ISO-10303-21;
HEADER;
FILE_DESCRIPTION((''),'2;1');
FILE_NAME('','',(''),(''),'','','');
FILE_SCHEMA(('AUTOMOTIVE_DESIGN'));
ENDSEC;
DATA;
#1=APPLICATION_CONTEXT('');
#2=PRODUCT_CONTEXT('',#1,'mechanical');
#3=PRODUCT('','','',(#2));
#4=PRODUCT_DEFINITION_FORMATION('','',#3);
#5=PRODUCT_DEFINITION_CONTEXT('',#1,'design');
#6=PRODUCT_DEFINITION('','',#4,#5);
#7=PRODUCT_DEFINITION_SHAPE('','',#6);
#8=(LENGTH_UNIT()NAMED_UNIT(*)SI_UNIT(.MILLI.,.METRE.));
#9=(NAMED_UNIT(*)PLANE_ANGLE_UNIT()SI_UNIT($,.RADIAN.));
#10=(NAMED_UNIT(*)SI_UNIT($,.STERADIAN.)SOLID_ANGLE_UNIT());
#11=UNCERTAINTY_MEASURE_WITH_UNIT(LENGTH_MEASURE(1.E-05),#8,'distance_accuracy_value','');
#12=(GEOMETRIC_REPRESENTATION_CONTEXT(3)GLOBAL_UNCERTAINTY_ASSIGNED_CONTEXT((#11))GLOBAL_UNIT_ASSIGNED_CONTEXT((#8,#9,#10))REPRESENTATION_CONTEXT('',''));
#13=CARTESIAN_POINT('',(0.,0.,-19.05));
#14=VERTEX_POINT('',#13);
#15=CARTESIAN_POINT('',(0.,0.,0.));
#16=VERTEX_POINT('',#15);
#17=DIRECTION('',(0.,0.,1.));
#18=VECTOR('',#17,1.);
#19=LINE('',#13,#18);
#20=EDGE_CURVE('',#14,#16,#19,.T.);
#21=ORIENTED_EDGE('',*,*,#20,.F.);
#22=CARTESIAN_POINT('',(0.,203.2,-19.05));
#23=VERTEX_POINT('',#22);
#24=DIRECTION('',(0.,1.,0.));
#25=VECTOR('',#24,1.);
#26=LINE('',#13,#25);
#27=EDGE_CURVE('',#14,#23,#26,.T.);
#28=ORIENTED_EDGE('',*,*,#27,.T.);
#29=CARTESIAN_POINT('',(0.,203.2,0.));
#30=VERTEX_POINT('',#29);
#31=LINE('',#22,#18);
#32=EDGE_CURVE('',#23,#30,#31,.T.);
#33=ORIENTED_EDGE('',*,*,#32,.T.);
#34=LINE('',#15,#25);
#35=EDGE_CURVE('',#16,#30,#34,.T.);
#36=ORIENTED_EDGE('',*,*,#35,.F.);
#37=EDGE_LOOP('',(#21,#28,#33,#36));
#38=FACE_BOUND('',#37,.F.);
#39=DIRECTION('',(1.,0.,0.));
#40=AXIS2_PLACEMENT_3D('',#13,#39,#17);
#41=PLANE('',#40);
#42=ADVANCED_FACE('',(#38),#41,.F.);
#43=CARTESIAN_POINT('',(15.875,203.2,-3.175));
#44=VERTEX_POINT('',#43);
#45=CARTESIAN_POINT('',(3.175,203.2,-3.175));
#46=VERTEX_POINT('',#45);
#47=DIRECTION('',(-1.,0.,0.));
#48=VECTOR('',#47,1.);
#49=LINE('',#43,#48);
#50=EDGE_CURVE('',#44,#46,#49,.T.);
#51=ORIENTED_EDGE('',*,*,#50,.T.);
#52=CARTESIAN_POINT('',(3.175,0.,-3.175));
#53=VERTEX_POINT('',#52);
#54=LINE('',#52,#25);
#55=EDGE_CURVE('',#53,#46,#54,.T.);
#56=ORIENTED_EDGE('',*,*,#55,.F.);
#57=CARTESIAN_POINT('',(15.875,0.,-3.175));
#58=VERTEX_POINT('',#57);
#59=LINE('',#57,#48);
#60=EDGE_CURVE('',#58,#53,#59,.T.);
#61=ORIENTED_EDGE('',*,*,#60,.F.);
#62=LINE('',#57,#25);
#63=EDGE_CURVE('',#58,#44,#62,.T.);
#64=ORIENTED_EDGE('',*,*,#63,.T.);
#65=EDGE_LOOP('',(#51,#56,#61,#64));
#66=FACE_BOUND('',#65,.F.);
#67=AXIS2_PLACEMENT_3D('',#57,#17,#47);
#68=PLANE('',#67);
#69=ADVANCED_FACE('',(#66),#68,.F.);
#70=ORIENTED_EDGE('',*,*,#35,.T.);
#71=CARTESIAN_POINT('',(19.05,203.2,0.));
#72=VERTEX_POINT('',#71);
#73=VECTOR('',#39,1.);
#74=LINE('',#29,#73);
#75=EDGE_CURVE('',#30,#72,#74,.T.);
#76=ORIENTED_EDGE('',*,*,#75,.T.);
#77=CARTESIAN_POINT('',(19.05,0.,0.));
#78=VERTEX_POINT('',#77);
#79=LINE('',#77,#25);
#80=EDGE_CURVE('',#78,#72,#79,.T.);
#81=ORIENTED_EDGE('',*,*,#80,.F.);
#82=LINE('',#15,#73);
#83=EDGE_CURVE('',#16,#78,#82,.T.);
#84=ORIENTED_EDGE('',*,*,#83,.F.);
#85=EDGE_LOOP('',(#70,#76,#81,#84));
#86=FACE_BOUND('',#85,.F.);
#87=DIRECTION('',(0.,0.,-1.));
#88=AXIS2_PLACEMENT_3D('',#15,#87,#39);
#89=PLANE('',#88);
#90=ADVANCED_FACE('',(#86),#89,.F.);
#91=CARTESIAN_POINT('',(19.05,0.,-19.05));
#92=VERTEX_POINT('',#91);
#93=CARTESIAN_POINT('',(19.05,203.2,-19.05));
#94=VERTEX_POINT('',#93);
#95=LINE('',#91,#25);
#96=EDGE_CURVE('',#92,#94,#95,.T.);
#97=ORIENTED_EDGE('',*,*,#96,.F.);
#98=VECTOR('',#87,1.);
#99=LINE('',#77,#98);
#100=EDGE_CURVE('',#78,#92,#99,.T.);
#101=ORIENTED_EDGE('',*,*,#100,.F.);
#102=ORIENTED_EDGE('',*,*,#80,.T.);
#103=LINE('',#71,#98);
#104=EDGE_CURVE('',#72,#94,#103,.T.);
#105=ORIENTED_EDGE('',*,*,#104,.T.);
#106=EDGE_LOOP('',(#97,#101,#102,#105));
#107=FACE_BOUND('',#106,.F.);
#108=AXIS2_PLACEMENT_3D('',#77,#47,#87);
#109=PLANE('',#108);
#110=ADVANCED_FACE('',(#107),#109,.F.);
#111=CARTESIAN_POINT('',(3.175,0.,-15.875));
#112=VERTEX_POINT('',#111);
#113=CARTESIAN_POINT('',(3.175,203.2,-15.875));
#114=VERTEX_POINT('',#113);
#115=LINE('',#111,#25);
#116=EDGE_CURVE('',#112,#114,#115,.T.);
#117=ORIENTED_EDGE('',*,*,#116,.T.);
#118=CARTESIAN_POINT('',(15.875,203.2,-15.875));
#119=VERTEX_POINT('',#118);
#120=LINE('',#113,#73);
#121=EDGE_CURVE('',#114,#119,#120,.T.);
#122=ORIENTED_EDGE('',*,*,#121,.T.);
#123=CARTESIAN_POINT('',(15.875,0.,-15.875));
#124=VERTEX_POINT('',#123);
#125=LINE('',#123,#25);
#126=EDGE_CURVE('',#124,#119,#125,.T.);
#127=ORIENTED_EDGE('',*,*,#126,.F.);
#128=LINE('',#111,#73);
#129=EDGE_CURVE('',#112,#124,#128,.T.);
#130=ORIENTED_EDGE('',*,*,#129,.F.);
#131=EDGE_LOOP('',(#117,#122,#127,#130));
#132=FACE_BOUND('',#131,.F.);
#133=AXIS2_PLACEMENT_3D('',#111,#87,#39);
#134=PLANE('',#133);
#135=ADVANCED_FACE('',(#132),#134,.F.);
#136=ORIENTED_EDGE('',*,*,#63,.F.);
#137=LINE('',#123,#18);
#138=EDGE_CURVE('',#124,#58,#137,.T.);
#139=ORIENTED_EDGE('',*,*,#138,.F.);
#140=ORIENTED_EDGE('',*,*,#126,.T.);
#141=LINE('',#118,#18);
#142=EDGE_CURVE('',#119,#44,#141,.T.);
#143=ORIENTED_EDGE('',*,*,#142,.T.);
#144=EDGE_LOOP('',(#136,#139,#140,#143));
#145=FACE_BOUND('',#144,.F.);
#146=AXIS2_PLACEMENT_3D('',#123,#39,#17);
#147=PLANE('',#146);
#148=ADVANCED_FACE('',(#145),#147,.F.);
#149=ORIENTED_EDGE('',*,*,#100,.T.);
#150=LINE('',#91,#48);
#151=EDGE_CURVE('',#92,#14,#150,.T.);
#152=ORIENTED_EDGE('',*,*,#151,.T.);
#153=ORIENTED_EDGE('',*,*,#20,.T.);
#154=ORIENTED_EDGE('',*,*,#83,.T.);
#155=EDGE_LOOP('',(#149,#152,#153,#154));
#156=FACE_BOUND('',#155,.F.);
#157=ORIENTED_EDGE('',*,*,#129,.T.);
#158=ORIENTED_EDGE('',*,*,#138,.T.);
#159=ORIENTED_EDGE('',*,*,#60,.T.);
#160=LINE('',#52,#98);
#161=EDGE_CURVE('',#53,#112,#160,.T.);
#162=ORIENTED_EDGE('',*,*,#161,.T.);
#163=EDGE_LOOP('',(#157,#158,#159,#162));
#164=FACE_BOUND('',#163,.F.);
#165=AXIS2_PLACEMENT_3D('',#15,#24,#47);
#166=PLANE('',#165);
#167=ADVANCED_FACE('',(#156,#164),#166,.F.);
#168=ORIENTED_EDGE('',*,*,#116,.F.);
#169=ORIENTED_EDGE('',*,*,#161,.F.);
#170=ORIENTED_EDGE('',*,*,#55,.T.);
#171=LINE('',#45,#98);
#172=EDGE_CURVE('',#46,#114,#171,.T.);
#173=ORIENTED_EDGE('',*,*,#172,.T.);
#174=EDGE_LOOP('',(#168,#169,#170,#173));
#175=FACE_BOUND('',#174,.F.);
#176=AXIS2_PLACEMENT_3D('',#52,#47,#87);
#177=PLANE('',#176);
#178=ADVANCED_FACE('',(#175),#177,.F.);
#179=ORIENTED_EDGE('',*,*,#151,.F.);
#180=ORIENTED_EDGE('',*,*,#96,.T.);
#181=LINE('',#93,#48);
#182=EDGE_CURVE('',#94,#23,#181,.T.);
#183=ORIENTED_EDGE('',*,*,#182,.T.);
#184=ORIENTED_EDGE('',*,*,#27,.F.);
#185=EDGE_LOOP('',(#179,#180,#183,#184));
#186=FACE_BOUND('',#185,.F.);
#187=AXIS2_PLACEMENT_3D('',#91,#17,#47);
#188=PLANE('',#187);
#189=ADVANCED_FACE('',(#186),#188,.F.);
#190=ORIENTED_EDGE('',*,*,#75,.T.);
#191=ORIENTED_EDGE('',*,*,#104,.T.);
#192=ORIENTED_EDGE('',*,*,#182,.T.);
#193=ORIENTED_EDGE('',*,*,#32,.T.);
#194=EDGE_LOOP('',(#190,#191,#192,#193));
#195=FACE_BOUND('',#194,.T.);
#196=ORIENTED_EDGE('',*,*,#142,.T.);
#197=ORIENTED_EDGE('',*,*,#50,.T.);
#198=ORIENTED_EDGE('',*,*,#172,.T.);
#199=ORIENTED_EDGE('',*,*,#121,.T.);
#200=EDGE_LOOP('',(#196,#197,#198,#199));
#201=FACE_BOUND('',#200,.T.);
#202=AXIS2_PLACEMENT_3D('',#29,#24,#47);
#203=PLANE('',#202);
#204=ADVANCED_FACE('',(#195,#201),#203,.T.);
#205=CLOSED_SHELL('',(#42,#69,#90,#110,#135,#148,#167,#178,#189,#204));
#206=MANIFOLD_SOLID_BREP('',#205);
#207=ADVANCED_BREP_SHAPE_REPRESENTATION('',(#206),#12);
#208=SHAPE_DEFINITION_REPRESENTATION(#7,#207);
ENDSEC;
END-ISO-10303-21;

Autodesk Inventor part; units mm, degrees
ref_plane "YZ Plane" through (0, 0, 0) normal (1, 0, 0) x (0, 1, 0)
ref_plane "XZ Plane" through (0, 0, 0) normal (0, 1, 0) x (-1, 0, 0)
ref_plane "XY Plane" through (0, 0, 0) normal (0, 0, 1) x (1, 0, 0)
sketch "Sketch1" plane through (0, 0, 0) normal (0, 1, 0) x (-1, 0, 0)
  line L0 (0, 0) -> (-19.05, 0)
  line L1 (-19.05, 0) -> (-19.05, -19.05)
  line L2 (-19.05, -19.05) -> (0, -19.05)
  line L3 (0, -19.05) -> (0, 0)
  line L4 (-3.175, -15.875) -> (-15.875, -15.875)
  line L5 (-15.875, -15.875) -> (-15.875, -3.175)
  line L6 (-15.875, -3.175) -> (-3.175, -3.175)
  line L7 (-3.175, -3.175) -> (-3.175, -15.875)
  dimension "d0" = 19.05
  dimension "d1" = 19.05
  dimension "d2" = 3.175
extrude "Extrusion1" add sketch "Sketch1" along normal blind 203.2
properties part number "Chasis Hieght 3" material "Aluminum 6061"
